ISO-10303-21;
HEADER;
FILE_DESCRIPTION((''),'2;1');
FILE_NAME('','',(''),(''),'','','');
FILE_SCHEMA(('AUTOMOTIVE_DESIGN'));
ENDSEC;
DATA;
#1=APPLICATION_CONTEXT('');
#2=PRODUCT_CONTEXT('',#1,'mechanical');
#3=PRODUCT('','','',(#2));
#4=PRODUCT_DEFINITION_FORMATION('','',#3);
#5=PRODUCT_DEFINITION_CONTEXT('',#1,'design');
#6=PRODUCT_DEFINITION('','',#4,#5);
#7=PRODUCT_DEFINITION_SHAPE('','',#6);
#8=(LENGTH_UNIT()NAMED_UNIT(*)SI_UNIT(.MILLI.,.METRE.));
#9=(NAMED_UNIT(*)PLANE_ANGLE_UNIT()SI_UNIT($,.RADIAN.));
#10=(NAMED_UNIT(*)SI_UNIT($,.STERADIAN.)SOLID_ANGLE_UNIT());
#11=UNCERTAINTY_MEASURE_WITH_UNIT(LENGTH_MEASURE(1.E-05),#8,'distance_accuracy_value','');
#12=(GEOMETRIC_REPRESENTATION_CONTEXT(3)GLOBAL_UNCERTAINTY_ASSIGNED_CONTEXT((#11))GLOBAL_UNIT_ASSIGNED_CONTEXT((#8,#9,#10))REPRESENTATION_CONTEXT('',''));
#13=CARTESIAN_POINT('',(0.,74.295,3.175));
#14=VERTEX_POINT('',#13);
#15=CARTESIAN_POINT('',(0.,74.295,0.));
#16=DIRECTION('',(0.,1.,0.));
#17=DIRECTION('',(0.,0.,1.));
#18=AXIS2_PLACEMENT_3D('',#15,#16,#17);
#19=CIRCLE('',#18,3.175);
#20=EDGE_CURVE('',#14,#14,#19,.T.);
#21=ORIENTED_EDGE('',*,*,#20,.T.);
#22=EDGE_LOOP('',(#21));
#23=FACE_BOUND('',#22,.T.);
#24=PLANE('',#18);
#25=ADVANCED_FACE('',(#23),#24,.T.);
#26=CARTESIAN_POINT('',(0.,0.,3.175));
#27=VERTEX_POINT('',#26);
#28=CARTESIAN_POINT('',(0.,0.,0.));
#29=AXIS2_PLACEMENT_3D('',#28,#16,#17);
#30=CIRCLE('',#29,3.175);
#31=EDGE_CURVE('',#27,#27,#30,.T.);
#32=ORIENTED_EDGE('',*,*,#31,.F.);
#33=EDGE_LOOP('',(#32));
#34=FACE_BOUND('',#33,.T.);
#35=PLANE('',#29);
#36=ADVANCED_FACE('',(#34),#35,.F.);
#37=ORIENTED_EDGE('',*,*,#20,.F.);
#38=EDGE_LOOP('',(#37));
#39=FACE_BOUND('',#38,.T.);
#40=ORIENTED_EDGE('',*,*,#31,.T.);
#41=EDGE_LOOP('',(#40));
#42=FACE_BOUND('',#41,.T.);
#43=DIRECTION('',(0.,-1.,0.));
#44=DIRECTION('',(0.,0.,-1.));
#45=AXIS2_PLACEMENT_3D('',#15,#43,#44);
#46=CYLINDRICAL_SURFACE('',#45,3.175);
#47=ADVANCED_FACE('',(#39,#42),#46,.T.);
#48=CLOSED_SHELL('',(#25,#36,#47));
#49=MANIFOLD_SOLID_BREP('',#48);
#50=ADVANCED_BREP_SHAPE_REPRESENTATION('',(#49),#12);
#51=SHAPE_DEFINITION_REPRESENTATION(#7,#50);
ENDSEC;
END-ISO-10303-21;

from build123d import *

# Parameters (mm, degrees)
SKETCH1_R           = 3.175
BOSS_EXTRUDE1_DEPTH = 74.295


with BuildPart() as part:
    # Sketch1 → Boss-Extrude1 (new body)
    with BuildSketch(Plane(origin=(0, 0, 0), x_dir=(1, 0, 0), z_dir=(0, 1, 0))):
        Circle(SKETCH1_R)
    extrude(amount=BOSS_EXTRUDE1_DEPTH)


solid = part.part
